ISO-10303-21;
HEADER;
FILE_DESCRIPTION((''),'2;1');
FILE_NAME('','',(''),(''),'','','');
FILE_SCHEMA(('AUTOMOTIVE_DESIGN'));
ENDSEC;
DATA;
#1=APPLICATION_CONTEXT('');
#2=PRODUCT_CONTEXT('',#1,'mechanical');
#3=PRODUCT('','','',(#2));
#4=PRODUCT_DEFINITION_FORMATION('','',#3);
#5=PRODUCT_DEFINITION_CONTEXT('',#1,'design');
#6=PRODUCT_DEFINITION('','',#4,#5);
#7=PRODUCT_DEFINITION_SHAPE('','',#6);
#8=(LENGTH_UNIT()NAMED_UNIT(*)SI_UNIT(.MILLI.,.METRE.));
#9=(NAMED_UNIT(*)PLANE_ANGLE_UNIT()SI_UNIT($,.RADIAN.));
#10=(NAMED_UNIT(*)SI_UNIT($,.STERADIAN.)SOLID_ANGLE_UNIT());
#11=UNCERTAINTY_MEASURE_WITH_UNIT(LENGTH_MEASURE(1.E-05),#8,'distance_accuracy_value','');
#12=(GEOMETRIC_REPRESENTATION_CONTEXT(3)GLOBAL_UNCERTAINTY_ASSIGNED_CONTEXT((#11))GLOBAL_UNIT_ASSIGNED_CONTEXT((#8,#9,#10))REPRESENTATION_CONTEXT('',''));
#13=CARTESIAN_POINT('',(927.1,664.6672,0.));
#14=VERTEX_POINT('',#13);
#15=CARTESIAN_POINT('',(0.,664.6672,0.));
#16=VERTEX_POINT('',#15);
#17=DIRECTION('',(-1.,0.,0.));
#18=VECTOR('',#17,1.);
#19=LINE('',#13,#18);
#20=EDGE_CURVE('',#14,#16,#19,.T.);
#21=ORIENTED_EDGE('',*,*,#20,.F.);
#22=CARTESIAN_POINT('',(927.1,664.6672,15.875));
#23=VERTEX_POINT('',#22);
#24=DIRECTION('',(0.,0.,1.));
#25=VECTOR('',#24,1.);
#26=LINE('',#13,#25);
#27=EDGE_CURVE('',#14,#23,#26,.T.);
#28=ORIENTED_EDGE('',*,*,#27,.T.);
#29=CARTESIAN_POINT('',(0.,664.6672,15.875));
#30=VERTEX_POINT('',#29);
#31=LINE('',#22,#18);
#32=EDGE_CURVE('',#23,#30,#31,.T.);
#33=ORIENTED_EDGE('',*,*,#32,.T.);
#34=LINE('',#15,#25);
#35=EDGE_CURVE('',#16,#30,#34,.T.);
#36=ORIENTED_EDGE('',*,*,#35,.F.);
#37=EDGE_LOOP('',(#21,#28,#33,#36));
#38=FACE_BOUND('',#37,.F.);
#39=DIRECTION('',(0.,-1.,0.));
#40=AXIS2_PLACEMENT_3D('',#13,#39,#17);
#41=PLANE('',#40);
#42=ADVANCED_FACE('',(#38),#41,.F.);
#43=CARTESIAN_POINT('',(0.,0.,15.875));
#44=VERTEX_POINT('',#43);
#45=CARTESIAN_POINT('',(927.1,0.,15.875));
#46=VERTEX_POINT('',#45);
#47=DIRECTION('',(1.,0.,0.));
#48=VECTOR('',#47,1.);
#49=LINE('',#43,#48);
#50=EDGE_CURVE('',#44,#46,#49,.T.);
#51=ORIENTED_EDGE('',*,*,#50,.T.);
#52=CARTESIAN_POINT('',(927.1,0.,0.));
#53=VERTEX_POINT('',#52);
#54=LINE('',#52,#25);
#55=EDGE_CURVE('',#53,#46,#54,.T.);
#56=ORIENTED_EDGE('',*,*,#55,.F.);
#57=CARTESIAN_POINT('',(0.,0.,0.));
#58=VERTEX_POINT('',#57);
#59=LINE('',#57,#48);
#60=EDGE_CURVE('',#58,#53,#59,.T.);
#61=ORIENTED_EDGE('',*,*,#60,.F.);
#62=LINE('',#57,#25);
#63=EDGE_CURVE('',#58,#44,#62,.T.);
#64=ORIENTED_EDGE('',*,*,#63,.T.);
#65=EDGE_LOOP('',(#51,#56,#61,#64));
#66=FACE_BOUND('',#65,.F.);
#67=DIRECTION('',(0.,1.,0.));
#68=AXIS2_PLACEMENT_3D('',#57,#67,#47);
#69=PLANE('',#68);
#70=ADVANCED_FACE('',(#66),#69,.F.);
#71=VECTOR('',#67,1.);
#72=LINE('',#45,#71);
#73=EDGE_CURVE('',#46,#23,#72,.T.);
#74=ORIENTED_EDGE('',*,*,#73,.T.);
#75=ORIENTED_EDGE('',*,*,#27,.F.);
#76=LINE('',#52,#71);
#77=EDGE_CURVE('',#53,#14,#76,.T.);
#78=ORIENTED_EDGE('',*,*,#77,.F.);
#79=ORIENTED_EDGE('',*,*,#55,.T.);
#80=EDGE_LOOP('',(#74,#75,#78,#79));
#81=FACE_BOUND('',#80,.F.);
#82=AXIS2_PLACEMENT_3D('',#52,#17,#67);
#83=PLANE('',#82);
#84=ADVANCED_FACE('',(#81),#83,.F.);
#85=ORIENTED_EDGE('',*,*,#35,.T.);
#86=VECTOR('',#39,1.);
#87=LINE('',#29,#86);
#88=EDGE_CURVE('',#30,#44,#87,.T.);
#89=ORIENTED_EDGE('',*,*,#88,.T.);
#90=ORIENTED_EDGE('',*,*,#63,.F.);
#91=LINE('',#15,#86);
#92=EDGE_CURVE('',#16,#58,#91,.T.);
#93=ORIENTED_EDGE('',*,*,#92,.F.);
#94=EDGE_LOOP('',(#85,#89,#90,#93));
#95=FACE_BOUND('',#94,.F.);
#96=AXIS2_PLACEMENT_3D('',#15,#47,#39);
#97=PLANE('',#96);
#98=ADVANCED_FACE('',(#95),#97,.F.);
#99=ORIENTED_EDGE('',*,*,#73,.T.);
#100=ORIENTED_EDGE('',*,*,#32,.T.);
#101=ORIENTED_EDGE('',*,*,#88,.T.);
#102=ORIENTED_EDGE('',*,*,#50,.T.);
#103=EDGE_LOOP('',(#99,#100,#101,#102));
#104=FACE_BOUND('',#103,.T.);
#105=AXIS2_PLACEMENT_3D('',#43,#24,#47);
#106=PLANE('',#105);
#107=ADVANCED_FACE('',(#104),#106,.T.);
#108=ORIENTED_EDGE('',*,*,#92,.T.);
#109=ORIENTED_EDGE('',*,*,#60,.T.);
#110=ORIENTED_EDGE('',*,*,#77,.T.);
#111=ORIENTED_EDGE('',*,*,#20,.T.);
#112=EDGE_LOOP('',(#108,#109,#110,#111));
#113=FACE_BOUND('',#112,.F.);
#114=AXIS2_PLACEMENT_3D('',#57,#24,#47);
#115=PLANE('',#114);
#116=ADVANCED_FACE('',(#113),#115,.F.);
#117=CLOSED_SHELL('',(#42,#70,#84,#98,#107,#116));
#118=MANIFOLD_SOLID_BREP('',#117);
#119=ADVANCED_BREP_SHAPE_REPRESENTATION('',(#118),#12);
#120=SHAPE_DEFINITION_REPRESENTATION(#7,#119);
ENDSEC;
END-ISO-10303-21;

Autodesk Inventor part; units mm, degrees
ref_plane "YZ Plane" through (0, 0, 0) normal (1, 0, 0) x (0, 1, 0)
ref_plane "XZ Plane" through (0, 0, 0) normal (0, 1, 0) x (-1, 0, 0)
ref_plane "XY Plane" through (0, 0, 0) normal (0, 0, 1) x (1, 0, 0)
sketch "Sketch1" plane through (0, 0, 0) normal (0, 0, 1) x (1, 0, 0)
  line L0 (0, 0) -> (927.1, 0)
  line L1 (927.1, 0) -> (927.1, 664.6672)
  line L2 (927.1, 664.6672) -> (0, 664.6672)
  line L3 (0, 664.6672) -> (0, 0)
  dimension "d2" = 664.6672
  dimension "d3" = 927.1
extrude "Extrusion1" add sketch "Sketch1" along normal blind 15.875
properties part number "DensGlass_With_Dimensions_36.5_x_25.5_Inches" material "Wood (Birch)"
